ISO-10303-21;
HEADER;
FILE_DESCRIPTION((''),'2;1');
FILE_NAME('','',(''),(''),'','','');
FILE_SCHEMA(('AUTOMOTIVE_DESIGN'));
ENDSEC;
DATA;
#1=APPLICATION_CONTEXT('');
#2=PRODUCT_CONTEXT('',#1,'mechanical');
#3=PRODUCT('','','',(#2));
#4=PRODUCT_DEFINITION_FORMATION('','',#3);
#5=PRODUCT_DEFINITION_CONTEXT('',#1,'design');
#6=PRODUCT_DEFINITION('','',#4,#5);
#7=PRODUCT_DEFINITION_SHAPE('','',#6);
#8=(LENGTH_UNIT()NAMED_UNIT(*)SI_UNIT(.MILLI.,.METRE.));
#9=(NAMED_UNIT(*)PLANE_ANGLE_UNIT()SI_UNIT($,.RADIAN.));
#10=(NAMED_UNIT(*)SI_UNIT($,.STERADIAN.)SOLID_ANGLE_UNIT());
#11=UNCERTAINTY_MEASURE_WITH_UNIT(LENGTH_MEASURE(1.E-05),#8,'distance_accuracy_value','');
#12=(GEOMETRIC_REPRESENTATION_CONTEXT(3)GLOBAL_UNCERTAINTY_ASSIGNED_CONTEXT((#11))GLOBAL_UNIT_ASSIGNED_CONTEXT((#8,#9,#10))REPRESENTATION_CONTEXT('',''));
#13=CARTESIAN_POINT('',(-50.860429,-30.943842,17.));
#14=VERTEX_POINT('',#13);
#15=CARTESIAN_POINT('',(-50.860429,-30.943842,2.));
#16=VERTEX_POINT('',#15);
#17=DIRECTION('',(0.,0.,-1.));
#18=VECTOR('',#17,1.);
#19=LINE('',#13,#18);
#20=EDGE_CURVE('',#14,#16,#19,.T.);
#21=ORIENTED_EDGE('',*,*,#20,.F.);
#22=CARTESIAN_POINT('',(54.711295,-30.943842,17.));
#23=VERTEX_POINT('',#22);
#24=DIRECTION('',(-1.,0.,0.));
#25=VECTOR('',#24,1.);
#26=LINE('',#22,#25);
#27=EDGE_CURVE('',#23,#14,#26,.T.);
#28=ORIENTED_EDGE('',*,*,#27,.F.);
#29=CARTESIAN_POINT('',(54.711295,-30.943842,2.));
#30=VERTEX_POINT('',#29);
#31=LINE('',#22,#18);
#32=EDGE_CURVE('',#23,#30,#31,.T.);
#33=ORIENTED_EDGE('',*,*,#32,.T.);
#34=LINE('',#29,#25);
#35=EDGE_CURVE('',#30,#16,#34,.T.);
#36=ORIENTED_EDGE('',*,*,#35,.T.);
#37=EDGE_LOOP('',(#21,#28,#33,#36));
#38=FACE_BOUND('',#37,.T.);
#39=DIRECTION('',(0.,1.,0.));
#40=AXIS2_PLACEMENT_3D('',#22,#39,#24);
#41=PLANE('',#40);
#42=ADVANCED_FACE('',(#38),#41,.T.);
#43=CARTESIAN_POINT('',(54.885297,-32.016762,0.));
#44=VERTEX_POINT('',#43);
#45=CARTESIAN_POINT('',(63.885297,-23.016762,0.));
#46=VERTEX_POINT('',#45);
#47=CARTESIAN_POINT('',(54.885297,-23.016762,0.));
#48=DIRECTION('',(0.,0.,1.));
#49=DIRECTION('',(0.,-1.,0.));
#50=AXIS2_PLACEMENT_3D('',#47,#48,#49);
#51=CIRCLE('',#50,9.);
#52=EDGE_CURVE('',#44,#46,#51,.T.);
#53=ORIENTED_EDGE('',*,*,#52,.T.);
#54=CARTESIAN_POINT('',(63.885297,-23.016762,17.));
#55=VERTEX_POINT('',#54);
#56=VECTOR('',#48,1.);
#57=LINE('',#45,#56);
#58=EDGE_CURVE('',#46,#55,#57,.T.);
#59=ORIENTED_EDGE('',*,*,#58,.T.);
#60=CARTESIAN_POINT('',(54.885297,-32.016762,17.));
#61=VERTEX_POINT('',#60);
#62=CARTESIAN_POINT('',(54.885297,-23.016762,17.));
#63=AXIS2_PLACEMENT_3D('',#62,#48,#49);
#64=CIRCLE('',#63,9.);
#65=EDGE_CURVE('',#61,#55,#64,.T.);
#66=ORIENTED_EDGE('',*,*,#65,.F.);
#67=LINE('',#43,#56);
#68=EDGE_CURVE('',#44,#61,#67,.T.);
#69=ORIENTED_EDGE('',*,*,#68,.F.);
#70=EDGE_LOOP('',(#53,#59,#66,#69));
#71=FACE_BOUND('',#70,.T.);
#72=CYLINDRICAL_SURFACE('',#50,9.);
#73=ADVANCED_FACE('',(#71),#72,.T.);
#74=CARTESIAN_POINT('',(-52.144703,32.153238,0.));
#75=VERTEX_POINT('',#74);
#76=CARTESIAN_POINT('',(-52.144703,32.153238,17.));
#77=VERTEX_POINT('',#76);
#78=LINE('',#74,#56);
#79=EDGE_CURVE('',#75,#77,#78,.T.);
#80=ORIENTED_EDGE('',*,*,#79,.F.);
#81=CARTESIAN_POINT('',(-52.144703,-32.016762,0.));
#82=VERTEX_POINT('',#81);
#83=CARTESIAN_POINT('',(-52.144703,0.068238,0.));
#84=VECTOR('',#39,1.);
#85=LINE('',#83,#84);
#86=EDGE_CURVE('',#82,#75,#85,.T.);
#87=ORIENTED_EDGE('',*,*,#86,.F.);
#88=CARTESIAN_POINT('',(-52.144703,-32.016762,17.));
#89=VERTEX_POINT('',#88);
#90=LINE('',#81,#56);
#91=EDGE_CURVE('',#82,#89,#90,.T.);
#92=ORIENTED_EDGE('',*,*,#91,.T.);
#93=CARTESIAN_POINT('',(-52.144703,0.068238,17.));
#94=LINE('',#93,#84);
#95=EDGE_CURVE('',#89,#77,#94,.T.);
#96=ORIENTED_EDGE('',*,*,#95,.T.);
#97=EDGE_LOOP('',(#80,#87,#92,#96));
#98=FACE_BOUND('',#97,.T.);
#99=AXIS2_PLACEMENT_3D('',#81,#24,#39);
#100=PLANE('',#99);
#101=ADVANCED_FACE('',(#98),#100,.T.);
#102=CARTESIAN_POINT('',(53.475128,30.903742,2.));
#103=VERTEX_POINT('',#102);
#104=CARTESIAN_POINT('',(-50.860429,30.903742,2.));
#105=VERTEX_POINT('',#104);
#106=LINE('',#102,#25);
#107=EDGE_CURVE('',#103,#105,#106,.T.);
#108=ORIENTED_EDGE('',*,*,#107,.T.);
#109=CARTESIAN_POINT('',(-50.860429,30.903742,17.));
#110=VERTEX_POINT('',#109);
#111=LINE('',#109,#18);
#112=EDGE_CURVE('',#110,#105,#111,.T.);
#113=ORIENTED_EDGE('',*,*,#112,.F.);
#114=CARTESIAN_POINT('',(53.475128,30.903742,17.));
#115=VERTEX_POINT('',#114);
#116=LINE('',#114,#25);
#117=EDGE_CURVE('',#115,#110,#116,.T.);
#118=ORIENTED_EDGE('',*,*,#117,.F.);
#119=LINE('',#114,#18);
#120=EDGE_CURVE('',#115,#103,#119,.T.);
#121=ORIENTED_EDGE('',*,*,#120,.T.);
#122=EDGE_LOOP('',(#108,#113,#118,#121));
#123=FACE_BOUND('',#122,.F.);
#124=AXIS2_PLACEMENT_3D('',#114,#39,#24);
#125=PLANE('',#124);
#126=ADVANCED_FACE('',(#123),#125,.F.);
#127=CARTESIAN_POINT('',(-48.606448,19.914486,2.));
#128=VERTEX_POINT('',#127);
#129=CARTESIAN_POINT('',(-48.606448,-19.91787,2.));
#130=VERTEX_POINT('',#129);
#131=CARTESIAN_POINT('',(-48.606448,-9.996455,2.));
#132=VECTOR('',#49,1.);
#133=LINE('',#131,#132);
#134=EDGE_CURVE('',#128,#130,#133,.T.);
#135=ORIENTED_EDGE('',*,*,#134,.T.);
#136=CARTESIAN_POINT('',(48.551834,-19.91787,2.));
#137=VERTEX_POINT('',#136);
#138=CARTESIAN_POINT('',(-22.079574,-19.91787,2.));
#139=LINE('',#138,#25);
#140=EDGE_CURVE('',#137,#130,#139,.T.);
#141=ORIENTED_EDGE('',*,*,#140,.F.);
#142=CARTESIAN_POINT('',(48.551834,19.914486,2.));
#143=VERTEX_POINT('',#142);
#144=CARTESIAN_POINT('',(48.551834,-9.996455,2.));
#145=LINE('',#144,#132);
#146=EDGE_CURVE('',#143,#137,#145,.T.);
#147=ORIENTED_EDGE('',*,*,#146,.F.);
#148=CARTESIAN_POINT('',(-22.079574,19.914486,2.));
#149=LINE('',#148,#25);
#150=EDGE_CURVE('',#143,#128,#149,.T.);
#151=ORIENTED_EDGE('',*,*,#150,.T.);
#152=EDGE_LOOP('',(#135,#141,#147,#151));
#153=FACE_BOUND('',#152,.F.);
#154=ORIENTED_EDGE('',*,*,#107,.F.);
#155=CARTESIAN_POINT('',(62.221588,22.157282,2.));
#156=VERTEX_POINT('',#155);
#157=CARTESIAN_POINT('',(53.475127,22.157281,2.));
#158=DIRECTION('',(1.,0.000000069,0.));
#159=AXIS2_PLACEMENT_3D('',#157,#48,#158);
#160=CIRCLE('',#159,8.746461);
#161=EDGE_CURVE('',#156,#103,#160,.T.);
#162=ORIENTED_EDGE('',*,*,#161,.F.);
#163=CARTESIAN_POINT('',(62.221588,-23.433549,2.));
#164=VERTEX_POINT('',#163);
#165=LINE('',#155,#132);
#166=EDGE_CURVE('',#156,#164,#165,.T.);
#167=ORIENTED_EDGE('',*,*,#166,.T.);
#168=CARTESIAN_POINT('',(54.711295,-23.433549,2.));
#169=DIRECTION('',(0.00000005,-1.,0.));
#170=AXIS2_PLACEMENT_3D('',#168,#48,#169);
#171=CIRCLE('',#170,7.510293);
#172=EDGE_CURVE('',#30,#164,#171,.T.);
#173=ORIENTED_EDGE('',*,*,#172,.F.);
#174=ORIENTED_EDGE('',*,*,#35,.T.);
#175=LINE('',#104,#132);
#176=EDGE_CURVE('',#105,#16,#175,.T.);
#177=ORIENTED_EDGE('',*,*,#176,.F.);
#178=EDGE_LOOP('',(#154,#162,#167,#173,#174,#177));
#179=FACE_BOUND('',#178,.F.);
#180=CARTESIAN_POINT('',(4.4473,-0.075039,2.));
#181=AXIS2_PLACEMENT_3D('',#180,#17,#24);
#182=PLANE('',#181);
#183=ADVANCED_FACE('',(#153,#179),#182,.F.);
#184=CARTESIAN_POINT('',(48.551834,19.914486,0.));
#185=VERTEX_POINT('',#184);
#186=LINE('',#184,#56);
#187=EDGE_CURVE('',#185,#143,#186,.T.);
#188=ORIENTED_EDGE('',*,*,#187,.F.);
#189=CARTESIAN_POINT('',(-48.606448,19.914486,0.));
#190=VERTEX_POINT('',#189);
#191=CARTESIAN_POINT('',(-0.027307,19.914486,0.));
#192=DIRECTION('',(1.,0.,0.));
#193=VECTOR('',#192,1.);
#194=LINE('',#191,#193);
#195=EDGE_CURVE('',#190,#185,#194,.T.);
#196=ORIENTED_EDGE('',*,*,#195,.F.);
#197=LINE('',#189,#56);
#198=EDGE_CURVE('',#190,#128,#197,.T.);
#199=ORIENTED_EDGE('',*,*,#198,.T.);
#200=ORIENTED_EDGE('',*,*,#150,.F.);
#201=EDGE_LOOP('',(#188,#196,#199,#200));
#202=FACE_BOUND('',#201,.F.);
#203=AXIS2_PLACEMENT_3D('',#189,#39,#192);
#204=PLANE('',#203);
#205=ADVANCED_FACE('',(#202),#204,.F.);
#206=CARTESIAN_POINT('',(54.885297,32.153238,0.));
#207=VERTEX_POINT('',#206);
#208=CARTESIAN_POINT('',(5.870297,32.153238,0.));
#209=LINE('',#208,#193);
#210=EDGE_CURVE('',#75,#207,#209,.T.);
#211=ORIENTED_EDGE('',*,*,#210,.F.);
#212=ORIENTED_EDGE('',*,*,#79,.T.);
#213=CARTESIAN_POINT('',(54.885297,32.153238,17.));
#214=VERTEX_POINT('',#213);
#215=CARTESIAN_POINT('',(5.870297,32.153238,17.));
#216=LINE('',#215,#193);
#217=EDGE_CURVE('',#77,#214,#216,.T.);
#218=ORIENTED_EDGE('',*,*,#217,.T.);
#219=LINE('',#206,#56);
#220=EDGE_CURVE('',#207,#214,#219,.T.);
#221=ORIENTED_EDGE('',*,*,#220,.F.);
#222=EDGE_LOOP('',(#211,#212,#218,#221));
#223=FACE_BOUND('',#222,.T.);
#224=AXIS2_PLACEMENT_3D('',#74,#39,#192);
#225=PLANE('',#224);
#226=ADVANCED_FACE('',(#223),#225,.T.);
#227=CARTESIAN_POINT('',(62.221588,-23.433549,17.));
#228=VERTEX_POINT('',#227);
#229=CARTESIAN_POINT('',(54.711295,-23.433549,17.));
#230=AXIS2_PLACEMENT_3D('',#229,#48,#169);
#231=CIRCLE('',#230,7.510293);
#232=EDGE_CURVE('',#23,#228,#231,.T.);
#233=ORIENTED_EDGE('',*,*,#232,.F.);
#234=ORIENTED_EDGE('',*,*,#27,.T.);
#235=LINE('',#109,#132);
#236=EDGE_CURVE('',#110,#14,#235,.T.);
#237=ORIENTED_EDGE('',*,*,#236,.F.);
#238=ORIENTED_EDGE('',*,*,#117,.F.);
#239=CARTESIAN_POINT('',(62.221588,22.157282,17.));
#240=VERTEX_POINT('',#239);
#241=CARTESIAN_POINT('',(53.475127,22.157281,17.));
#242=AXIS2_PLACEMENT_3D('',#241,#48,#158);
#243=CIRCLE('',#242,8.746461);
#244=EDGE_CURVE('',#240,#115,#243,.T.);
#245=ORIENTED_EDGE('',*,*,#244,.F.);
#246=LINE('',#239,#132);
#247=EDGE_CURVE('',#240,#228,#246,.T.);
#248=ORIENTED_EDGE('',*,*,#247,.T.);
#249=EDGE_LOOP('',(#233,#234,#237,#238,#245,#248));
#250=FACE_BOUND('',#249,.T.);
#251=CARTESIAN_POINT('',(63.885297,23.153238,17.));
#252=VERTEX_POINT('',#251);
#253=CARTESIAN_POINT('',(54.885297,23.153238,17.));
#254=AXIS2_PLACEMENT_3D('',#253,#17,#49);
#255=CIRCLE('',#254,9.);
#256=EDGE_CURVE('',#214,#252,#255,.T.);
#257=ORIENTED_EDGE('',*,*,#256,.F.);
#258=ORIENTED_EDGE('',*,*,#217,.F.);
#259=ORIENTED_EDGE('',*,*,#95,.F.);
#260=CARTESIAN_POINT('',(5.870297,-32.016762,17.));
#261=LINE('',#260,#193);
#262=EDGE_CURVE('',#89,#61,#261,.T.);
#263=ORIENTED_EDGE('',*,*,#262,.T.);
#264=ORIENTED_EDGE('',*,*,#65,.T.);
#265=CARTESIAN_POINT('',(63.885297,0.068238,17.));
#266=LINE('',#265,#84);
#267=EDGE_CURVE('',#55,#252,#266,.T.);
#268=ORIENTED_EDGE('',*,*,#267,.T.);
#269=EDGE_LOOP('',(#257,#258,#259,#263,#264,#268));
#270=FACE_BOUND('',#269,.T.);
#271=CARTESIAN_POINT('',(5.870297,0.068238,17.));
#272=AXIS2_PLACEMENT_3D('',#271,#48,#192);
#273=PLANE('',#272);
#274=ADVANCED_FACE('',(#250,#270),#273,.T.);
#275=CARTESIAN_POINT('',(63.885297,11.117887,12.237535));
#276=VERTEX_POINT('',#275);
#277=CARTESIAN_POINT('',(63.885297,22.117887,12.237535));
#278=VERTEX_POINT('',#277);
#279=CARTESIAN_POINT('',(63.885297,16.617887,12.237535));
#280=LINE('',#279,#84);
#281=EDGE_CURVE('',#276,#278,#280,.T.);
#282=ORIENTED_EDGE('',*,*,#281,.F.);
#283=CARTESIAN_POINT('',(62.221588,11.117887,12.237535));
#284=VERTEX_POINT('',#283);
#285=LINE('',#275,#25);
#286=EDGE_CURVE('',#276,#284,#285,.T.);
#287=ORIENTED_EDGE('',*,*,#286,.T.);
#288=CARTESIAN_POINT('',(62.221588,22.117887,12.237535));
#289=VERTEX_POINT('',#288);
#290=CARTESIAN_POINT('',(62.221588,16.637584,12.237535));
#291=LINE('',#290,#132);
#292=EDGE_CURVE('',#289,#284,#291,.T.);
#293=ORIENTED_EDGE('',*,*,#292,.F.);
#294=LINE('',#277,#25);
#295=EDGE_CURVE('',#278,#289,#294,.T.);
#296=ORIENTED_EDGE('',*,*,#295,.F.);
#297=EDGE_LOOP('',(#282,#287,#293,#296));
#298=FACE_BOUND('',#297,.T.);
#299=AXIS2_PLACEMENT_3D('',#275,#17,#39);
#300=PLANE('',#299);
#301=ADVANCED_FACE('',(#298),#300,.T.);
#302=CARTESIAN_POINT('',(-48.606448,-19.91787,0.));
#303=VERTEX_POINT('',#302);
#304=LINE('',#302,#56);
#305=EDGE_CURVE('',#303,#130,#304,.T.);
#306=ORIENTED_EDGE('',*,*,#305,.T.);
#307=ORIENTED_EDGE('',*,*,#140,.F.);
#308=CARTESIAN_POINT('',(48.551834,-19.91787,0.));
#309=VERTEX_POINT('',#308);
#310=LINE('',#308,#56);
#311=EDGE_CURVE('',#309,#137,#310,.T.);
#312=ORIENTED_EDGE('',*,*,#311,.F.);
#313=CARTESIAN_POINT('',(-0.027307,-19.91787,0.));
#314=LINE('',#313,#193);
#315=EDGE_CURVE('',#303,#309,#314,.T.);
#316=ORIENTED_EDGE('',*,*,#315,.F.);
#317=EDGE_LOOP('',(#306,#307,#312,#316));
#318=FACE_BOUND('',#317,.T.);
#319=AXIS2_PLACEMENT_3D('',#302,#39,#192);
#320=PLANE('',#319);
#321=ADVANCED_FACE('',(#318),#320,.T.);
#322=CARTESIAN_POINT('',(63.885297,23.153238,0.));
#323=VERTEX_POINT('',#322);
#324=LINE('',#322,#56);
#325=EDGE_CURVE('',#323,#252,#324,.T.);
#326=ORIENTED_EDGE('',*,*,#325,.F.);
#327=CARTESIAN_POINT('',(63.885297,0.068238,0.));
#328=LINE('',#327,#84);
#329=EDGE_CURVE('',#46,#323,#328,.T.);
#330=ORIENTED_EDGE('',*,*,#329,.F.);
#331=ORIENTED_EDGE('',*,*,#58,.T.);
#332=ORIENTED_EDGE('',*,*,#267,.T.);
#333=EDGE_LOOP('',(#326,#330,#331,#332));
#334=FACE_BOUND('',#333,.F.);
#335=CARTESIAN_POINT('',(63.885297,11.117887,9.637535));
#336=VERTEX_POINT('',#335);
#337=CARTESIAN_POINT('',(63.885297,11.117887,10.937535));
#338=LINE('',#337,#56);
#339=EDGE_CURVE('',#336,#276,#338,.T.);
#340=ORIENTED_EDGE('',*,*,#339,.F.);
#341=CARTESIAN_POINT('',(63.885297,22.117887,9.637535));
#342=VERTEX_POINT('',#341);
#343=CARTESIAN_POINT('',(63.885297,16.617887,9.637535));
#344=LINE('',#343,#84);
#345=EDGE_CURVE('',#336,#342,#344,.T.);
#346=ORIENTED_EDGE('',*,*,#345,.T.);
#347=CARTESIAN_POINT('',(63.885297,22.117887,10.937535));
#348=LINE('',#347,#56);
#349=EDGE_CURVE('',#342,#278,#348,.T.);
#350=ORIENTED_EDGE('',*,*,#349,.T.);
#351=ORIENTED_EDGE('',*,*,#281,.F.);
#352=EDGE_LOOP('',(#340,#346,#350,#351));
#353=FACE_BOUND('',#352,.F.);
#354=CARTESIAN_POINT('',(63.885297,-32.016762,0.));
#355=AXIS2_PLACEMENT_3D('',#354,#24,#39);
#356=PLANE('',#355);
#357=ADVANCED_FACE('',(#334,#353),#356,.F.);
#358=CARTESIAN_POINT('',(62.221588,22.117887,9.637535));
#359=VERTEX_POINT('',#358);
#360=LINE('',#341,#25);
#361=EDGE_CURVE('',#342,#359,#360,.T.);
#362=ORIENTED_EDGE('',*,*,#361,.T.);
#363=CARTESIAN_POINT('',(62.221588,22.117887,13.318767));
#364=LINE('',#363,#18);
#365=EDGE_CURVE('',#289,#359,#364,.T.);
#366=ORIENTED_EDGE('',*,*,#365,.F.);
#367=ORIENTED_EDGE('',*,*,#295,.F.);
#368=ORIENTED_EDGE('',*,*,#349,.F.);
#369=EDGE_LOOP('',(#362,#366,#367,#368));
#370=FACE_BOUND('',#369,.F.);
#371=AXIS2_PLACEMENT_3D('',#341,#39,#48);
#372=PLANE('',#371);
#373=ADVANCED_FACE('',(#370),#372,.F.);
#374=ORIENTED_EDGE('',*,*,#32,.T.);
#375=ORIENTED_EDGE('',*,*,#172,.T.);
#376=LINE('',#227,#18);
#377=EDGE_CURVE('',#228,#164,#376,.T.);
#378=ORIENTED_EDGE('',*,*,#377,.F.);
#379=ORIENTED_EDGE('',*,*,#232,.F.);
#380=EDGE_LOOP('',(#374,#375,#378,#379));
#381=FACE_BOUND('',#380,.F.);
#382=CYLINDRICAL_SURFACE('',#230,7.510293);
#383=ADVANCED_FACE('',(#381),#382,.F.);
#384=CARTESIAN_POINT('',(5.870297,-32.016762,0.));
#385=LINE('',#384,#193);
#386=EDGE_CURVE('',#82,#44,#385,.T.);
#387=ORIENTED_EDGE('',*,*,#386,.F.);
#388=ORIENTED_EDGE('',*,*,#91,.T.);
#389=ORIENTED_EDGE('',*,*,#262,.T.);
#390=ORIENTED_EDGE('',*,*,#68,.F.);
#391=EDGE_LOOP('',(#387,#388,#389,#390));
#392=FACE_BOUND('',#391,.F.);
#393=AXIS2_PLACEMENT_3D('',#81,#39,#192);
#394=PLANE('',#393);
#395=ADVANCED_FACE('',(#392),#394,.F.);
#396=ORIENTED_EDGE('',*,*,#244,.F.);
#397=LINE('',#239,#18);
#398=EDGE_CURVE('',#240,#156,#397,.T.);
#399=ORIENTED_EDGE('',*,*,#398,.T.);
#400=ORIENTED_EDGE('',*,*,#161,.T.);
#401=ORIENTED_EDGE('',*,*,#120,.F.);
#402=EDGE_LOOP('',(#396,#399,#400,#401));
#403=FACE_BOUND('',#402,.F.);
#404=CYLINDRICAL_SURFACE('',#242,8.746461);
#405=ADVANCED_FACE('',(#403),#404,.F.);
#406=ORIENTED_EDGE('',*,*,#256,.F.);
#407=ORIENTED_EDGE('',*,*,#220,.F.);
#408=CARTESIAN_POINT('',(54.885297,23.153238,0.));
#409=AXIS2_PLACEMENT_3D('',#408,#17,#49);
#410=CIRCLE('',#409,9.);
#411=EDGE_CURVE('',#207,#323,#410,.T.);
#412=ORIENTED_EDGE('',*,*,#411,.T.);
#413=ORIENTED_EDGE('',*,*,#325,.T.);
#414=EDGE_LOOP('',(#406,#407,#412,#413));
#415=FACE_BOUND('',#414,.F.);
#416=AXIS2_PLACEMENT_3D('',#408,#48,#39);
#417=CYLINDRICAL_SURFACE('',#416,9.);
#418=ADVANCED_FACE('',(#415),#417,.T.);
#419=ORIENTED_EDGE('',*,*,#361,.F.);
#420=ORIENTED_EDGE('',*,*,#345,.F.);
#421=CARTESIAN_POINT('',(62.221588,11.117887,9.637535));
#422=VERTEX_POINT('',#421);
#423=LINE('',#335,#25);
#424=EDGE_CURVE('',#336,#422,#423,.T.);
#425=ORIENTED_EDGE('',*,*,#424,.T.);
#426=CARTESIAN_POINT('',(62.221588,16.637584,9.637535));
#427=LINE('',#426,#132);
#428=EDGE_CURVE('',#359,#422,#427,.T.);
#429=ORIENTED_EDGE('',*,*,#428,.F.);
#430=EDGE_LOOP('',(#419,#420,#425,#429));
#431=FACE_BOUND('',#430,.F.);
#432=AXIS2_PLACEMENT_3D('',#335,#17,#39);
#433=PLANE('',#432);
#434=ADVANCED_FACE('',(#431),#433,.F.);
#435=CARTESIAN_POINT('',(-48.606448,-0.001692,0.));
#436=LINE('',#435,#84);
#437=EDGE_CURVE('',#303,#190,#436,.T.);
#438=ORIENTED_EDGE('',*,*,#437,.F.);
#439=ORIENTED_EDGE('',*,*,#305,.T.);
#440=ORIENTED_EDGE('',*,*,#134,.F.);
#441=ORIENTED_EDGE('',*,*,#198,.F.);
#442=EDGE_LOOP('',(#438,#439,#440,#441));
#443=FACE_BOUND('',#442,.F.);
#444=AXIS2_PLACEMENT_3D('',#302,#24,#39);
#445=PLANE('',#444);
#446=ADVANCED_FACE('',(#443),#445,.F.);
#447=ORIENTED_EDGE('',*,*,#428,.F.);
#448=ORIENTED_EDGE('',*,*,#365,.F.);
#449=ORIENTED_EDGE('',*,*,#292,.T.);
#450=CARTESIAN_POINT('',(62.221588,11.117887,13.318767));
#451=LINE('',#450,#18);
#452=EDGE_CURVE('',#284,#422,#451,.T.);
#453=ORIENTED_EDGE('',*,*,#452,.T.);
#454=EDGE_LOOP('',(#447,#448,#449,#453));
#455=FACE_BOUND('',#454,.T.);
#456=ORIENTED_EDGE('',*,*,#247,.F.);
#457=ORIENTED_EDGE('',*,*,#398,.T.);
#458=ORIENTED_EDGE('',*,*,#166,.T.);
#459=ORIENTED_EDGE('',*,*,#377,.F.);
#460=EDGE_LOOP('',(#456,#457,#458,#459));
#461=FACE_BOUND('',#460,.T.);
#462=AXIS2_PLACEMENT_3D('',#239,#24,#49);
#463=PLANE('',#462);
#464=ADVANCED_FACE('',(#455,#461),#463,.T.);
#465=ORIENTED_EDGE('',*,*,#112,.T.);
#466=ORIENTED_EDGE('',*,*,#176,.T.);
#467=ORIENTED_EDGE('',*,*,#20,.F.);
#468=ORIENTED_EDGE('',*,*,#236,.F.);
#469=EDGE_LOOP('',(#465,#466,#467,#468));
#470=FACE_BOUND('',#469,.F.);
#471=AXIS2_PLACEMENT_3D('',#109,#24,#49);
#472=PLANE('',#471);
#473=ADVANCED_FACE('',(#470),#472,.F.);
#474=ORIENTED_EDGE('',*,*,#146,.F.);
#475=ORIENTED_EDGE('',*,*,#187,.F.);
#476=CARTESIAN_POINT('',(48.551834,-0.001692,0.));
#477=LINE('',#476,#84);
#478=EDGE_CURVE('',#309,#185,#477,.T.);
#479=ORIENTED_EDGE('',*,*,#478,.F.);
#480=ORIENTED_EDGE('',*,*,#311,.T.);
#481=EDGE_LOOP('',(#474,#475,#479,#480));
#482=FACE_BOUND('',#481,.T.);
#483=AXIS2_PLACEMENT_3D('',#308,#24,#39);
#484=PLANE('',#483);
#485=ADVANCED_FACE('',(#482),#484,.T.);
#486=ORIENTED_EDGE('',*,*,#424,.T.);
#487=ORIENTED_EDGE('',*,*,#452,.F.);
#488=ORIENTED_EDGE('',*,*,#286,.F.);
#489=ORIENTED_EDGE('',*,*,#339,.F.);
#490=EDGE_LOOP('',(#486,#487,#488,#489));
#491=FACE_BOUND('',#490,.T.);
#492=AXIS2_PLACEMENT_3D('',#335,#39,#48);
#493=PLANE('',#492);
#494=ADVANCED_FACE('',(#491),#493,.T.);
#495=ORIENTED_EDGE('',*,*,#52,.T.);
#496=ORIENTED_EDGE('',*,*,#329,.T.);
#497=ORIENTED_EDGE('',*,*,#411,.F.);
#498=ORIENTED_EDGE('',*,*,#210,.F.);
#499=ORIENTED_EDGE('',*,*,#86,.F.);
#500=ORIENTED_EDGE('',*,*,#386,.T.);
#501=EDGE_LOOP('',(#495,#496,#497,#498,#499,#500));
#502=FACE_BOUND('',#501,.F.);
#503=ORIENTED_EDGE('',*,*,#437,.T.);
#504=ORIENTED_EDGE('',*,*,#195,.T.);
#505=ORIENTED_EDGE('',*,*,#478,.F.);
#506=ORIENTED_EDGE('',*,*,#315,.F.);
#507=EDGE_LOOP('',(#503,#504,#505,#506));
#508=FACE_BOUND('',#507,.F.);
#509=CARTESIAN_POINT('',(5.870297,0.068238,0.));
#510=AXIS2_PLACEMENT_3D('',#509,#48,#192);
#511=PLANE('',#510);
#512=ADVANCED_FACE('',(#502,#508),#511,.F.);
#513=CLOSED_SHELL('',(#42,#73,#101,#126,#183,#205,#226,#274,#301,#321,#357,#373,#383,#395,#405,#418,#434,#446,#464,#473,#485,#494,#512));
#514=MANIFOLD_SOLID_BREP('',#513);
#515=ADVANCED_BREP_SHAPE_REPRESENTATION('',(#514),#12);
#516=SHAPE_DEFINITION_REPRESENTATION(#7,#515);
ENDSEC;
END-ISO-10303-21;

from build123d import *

# Parameters (mm, degrees)
SKETCH014_W        = 116.03
SKETCH014_H        = 64.17
SKETCH014_W_2      = 97.158283
SKETCH014_H_2      = 39.832356
EXTRUDE002_DEPTH   = 17
POCKET005004_DEPTH = 15
FILLET_R           = 9
SKETCH018_W        = 11
SKETCH018_H        = 2.6
POCKET005005_DEPTH = 5


with BuildPart() as part:
    # Sketch014 → Extrude002 (new body)
    with BuildSketch(Plane.XY):
        with Locations((5.870297, 0.068238)):
            Rectangle(SKETCH014_W, SKETCH014_H)
        with Locations((-0.027307, -0.001692)):
            Rectangle(SKETCH014_W_2, SKETCH014_H_2, mode=Mode.SUBTRACT)
    extrude(amount=EXTRUDE002_DEPTH)

    # Sketch017 (on Face10 of Extrude002) → Pocket005004 (cut)
    with BuildSketch(Plane.XY.offset(17)):
        with BuildLine():
            Line((-41.973666, 30.903742), (53.475128, 30.903742))
            ThreePointArc((62.221588, 22.157282), (59.659809, 28.341963), (53.475128, 30.903742))
            Line((62.221588, 22.157282), (62.221588, -23.433549))
            ThreePointArc((54.711295, -30.943842), (60.021874, -28.744128), (62.221588, -23.433549))
            Line((54.711295, -30.943842), (-43.311095, -30.943842))
            Line((-43.311095, -30.943842), (-50.860429, -30.943842))
            Line((-50.860429, -30.943842), (-50.860429, -23.394508))
            Line((-50.860429, -23.394508), (-50.860429, 22.016979))
            Line((-50.860429, 30.903742), (-50.860429, 22.016979))
            Line((-41.973666, 30.903742), (-50.860429, 30.903742))
        make_face()
    extrude(amount=-POCKET005004_DEPTH, mode=Mode.SUBTRACT)

    # Fillet
    fillet_edges = [part.edges().sort_by_distance(p)[0] for p in [
        (63.885297, 32.153238, 8.5),
        (63.885297, -32.016762, 8.5),
    ]]
    fillet(fillet_edges, radius=FILLET_R)

    # Sketch018 (on Face6 of Fillet) → Pocket005005 (cut)
    with BuildSketch(Plane.YZ.offset(63.885297)):
        with Locations((16.617887, 10.937535)):
            Rectangle(SKETCH018_W, SKETCH018_H)
    extrude(amount=-POCKET005005_DEPTH, mode=Mode.SUBTRACT)


solid = part.part
